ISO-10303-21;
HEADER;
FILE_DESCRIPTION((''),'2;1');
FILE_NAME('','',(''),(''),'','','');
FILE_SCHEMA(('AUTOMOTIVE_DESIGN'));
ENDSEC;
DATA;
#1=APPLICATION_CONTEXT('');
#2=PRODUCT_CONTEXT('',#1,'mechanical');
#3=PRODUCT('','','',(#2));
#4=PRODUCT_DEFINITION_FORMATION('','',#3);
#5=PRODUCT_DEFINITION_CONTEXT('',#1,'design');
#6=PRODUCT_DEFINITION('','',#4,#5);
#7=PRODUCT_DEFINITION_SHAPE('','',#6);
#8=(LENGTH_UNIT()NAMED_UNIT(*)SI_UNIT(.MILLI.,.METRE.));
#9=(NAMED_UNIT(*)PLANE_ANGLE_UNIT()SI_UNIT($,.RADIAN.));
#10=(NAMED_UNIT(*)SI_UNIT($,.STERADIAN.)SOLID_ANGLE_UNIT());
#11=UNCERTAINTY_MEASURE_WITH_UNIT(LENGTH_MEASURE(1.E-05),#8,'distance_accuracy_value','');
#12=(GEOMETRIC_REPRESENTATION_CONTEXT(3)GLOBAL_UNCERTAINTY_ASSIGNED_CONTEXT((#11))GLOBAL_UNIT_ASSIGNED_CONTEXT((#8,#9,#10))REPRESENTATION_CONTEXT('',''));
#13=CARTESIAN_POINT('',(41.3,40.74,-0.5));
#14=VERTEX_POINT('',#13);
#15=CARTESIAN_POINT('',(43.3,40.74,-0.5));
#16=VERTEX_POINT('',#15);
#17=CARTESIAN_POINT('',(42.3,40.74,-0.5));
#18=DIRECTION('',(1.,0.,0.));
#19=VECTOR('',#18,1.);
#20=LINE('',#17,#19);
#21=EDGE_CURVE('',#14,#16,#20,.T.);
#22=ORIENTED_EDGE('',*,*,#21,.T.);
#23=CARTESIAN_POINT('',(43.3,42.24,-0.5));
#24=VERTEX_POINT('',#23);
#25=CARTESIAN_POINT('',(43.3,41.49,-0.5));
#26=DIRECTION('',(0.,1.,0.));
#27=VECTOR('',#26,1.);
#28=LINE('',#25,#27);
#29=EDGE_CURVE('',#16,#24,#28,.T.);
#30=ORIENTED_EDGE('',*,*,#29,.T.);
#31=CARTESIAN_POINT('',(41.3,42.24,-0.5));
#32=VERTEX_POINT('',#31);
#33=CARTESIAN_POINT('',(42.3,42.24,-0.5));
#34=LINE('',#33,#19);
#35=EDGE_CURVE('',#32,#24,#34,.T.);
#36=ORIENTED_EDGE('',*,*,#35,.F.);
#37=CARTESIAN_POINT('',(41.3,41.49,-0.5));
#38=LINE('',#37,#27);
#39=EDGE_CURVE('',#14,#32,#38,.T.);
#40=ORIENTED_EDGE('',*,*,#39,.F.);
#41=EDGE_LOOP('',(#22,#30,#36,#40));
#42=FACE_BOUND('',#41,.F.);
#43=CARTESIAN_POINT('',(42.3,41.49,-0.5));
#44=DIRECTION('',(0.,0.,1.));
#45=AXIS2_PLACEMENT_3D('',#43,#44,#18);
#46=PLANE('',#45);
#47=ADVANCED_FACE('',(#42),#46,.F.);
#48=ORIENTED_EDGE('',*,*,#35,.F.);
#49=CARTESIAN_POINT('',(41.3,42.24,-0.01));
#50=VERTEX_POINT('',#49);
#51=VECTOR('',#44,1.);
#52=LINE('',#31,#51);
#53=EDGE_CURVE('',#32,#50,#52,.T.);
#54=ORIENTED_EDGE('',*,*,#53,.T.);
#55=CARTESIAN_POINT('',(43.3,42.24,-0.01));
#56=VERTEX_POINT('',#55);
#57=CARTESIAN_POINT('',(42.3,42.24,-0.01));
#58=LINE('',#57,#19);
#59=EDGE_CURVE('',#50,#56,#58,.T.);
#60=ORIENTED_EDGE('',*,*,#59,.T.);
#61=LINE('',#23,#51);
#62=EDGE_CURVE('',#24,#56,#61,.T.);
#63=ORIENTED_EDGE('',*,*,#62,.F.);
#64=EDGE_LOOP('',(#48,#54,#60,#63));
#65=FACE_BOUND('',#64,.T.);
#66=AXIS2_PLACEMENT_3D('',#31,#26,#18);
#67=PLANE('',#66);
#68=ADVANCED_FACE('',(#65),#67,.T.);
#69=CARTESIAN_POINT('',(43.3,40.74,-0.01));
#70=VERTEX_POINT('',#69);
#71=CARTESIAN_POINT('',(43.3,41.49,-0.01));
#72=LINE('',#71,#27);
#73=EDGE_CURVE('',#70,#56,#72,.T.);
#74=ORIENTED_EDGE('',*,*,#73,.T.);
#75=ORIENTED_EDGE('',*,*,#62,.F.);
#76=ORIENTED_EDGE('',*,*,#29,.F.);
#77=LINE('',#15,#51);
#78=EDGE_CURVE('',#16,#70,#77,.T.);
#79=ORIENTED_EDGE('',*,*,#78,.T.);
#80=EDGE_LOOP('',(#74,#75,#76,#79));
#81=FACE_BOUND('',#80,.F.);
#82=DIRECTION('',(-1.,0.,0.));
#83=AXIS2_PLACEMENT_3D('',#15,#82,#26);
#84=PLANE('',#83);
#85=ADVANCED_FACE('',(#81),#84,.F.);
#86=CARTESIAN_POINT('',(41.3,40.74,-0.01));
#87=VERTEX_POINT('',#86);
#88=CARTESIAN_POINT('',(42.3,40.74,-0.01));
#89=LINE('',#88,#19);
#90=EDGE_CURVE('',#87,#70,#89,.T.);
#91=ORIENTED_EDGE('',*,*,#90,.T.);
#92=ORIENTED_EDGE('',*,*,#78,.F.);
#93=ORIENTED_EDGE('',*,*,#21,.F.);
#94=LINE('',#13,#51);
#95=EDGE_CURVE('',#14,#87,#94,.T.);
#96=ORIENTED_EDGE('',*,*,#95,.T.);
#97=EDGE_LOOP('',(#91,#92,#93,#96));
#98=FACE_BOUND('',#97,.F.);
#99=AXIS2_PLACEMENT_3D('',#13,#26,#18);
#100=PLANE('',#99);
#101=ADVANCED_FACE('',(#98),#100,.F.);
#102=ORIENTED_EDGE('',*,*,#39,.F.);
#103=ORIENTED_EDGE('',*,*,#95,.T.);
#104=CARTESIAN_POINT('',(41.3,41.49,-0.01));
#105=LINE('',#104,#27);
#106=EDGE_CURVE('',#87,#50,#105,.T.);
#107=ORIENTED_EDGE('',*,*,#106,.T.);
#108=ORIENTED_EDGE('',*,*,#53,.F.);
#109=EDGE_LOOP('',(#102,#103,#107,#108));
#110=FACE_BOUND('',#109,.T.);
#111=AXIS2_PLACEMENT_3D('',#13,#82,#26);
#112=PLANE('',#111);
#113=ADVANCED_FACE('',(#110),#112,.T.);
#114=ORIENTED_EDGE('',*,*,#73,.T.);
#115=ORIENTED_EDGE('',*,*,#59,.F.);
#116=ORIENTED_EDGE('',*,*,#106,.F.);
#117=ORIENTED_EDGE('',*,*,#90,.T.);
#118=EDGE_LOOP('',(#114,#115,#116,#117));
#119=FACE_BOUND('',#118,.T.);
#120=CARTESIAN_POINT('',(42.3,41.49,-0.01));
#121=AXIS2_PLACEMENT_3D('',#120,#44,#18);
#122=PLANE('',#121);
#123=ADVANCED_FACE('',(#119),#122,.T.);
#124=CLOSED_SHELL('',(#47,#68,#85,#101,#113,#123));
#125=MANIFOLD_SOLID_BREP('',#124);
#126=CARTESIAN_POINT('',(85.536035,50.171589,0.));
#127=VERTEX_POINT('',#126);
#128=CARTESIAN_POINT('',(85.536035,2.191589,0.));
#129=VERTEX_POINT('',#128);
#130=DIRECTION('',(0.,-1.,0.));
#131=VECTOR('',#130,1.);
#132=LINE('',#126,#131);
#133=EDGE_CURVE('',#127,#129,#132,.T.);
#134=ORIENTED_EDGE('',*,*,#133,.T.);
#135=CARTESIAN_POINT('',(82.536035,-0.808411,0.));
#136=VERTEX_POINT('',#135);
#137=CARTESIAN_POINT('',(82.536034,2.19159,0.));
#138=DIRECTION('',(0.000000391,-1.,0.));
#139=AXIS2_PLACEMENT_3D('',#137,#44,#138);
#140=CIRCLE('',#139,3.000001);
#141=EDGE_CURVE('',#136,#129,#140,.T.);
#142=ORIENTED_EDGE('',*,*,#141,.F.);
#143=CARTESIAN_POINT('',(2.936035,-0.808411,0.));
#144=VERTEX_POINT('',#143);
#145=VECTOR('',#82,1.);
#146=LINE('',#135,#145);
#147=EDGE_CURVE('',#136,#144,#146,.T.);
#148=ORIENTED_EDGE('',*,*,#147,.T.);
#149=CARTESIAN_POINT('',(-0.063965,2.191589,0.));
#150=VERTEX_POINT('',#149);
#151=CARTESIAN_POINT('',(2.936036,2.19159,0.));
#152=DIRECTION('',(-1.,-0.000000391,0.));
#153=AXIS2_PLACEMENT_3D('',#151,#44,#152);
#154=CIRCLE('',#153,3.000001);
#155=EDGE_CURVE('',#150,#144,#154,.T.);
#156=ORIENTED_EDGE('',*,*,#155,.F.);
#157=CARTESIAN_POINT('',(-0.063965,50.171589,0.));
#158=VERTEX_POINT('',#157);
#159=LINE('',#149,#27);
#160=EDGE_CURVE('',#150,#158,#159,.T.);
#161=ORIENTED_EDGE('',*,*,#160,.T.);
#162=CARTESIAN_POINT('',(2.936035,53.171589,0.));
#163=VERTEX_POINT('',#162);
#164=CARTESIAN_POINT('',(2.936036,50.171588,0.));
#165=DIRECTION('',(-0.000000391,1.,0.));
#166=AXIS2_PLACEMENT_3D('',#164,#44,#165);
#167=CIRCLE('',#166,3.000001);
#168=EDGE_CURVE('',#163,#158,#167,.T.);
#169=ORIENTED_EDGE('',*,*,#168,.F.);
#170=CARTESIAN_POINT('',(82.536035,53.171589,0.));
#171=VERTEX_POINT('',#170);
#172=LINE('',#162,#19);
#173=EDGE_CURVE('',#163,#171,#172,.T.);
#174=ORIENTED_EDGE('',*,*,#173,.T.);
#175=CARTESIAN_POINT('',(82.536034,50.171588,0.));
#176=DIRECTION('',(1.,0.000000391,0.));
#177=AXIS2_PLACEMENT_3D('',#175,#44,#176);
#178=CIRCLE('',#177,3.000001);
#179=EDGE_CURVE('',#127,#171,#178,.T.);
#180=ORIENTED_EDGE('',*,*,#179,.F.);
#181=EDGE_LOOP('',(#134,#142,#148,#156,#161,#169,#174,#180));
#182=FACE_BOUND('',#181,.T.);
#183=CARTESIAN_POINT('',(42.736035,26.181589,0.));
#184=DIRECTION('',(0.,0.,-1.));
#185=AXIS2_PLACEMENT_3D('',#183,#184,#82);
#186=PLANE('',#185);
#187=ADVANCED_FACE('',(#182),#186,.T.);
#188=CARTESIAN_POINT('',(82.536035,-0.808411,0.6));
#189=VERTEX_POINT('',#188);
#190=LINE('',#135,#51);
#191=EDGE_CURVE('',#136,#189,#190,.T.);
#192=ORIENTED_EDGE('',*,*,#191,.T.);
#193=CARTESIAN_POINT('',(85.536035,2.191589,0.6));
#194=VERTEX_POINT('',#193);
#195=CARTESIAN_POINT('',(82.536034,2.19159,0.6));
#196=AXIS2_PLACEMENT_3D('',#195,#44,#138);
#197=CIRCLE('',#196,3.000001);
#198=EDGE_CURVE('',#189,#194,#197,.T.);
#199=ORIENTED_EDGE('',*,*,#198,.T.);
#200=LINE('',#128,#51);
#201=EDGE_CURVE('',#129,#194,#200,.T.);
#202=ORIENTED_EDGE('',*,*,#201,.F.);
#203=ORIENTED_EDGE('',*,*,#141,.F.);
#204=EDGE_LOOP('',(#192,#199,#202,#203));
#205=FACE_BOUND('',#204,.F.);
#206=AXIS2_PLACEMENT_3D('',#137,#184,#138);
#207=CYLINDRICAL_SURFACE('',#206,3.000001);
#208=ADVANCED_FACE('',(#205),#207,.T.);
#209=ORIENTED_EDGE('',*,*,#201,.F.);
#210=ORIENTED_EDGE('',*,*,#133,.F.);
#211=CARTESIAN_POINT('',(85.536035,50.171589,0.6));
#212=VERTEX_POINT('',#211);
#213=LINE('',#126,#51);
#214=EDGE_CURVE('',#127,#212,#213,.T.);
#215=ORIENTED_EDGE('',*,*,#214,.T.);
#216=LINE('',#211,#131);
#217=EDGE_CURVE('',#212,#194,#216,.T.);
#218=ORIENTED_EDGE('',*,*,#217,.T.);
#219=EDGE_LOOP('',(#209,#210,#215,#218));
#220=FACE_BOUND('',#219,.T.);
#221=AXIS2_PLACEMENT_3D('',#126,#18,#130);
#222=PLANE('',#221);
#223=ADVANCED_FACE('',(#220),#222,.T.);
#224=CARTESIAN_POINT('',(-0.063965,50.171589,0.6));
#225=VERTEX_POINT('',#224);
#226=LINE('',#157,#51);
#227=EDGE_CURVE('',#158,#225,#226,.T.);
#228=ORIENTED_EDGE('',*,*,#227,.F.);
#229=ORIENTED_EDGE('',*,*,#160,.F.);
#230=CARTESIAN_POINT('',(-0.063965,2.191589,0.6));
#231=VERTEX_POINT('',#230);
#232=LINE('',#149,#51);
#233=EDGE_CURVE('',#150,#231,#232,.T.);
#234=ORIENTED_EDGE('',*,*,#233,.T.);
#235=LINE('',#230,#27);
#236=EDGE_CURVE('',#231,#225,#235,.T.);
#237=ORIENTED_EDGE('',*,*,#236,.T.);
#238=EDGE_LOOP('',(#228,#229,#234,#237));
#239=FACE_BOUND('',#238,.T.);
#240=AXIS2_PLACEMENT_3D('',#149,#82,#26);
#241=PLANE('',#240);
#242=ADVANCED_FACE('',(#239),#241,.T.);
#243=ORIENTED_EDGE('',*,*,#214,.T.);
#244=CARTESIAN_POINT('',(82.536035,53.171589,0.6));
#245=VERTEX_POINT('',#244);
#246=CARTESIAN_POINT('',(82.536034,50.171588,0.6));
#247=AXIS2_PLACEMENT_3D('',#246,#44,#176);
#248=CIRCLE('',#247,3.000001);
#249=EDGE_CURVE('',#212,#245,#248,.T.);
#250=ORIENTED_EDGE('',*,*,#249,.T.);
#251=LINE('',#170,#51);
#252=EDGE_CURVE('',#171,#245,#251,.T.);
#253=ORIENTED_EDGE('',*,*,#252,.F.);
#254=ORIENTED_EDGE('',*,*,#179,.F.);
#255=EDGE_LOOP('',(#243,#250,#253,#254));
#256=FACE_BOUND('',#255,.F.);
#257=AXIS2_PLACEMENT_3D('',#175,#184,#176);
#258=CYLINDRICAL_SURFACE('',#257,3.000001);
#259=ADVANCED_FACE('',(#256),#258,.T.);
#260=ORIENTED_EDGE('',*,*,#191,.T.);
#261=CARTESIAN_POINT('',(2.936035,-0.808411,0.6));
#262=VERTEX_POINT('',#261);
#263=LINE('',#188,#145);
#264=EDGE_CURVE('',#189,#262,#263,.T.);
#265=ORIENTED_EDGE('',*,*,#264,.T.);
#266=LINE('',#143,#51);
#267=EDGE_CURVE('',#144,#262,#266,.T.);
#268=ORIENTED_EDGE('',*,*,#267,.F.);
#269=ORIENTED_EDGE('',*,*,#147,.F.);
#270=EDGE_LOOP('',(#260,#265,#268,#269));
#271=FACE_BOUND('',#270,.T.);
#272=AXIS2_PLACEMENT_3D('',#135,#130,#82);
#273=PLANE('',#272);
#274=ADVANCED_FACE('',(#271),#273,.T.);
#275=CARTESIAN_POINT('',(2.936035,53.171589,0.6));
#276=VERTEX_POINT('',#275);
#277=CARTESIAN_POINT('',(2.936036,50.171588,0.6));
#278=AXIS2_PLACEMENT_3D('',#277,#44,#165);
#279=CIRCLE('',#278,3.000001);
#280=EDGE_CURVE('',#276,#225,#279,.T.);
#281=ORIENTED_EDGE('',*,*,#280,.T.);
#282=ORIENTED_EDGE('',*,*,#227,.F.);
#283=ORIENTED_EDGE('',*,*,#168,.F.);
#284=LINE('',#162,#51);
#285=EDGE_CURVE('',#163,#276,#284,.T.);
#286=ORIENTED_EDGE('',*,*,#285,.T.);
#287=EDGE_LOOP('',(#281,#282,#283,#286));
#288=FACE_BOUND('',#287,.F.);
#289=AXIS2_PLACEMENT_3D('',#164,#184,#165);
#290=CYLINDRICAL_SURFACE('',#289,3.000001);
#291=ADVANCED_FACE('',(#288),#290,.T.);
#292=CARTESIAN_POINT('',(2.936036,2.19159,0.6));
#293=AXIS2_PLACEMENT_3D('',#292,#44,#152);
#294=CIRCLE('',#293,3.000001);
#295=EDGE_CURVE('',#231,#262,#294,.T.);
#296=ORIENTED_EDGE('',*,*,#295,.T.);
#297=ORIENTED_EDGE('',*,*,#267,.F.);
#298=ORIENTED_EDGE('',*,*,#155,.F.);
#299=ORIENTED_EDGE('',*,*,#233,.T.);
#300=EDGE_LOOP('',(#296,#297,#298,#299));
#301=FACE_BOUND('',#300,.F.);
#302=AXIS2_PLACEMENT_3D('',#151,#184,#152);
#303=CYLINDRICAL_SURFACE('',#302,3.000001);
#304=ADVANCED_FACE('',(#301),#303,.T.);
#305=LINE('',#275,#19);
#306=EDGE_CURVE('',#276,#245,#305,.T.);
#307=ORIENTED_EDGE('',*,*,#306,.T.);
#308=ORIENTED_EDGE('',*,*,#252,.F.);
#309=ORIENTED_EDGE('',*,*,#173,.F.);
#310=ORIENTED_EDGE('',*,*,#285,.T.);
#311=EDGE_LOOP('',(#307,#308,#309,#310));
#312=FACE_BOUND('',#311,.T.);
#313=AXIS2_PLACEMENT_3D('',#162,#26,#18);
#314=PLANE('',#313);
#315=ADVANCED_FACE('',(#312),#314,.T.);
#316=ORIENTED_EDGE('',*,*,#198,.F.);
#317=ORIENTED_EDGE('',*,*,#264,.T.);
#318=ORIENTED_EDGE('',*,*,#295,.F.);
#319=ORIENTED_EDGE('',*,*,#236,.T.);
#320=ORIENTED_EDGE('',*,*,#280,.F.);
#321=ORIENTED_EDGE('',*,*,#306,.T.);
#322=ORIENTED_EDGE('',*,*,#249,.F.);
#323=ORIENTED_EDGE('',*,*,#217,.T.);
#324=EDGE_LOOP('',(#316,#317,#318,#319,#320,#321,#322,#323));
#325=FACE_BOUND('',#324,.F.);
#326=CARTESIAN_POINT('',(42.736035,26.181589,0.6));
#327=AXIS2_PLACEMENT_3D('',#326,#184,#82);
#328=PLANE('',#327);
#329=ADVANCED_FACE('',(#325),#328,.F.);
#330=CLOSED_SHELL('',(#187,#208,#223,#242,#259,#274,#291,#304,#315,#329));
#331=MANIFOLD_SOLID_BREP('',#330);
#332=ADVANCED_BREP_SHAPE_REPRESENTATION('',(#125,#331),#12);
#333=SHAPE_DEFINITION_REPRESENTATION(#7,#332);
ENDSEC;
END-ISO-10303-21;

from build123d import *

# Parameters (mm, degrees)
PAD_DEPTH = 0.6
BOX_W     = 2
BOX_H     = 1.5
BOX_DEPTH = 0.49


with BuildPart() as board:
    # Sketch → Pad (new body)
    with BuildSketch(Plane.XY):
        with BuildLine():
            Line((2.936035, 53.171589), (82.536035, 53.171589))
            ThreePointArc((85.536035, 50.171589), (84.657355, 52.292909), (82.536035, 53.171589))
            Line((85.536035, 50.171589), (85.536035, 2.191589))
            ThreePointArc((82.536035, -0.808411), (84.657355, 0.070269), (85.536035, 2.191589))
            Line((82.536035, -0.808411), (2.936035, -0.808411))
            ThreePointArc((-0.063965, 2.191589), (0.814715, 0.070269), (2.936035, -0.808411))
            Line((-0.063965, 2.191589), (-0.063965, 50.171589))
            ThreePointArc((2.936035, 53.171589), (0.814715, 52.292909), (-0.063965, 50.171589))
        make_face()
    extrude(amount=PAD_DEPTH)


with BuildPart() as cube:
    # Box → Box (new body)
    with BuildSketch(Plane(origin=(41.3, 40.74, -0.5), x_dir=(1, 0, 0), z_dir=(0, 0, 1))):
        with Locations((1, 0.75)):
            Rectangle(BOX_W, BOX_H)
    extrude(amount=BOX_DEPTH)


solid = Compound([board.part, cube.part])
